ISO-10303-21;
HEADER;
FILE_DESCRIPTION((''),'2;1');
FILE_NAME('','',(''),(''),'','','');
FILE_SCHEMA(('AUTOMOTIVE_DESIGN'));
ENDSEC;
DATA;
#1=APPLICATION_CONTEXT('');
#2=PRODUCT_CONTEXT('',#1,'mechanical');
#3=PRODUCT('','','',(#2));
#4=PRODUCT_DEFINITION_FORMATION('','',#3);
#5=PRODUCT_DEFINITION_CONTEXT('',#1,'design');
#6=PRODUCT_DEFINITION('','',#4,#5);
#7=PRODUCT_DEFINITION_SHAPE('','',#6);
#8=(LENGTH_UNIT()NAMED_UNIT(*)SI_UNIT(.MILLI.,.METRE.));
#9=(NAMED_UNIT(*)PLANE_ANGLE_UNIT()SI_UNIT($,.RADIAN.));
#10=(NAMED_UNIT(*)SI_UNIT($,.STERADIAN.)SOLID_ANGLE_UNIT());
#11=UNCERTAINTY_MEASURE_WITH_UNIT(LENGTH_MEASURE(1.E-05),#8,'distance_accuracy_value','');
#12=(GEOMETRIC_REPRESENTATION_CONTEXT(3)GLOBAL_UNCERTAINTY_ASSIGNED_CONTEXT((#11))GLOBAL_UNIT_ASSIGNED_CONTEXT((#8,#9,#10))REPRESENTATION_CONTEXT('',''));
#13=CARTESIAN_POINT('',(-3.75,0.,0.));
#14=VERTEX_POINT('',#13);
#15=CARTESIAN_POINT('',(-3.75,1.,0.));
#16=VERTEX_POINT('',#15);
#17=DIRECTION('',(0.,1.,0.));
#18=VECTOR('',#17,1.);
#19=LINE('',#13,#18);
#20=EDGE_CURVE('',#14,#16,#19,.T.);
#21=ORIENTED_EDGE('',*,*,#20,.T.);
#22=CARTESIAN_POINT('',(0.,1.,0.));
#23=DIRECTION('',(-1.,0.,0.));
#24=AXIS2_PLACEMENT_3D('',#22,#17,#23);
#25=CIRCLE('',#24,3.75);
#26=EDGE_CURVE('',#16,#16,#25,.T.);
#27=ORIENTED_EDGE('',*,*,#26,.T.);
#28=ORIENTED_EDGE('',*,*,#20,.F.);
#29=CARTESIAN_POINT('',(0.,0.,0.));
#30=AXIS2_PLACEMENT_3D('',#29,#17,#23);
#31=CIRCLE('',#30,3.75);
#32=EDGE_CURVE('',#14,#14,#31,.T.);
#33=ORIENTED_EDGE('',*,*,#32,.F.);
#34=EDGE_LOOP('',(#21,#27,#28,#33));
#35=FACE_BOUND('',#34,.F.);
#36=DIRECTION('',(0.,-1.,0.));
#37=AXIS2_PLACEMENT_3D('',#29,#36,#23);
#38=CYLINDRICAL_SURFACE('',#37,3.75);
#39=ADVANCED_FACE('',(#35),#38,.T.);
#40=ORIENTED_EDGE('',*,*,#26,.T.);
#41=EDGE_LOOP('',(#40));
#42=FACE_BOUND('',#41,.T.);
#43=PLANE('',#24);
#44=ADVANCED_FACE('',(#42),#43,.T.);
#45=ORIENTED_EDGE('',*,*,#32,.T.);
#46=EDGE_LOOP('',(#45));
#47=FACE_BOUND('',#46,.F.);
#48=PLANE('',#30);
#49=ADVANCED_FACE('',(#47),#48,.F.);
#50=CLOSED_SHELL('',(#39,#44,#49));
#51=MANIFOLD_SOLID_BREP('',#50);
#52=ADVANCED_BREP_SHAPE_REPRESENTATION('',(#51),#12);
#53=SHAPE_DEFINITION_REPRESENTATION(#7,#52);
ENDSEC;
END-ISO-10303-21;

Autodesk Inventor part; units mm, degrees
ref_plane "YZ Plane" through (0, 0, 0) normal (1, 0, 0) x (0, 1, 0)
ref_plane "XZ Plane" through (0, 0, 0) normal (0, 1, 0) x (-1, 0, 0)
ref_plane "XY Plane" through (0, 0, 0) normal (0, 0, 1) x (1, 0, 0)
sketch "Esboço1" plane through (0, 0, 0) normal (0, 1, 0) x (-1, 0, 0)
  circle A0 centre (0, 0) radius 3.75
  dimension "d0" = 7.5
extrude "Extrusão1" add sketch "Esboço1" along normal blind 1
properties part number "Rubber_Feet" material "Borracha"
